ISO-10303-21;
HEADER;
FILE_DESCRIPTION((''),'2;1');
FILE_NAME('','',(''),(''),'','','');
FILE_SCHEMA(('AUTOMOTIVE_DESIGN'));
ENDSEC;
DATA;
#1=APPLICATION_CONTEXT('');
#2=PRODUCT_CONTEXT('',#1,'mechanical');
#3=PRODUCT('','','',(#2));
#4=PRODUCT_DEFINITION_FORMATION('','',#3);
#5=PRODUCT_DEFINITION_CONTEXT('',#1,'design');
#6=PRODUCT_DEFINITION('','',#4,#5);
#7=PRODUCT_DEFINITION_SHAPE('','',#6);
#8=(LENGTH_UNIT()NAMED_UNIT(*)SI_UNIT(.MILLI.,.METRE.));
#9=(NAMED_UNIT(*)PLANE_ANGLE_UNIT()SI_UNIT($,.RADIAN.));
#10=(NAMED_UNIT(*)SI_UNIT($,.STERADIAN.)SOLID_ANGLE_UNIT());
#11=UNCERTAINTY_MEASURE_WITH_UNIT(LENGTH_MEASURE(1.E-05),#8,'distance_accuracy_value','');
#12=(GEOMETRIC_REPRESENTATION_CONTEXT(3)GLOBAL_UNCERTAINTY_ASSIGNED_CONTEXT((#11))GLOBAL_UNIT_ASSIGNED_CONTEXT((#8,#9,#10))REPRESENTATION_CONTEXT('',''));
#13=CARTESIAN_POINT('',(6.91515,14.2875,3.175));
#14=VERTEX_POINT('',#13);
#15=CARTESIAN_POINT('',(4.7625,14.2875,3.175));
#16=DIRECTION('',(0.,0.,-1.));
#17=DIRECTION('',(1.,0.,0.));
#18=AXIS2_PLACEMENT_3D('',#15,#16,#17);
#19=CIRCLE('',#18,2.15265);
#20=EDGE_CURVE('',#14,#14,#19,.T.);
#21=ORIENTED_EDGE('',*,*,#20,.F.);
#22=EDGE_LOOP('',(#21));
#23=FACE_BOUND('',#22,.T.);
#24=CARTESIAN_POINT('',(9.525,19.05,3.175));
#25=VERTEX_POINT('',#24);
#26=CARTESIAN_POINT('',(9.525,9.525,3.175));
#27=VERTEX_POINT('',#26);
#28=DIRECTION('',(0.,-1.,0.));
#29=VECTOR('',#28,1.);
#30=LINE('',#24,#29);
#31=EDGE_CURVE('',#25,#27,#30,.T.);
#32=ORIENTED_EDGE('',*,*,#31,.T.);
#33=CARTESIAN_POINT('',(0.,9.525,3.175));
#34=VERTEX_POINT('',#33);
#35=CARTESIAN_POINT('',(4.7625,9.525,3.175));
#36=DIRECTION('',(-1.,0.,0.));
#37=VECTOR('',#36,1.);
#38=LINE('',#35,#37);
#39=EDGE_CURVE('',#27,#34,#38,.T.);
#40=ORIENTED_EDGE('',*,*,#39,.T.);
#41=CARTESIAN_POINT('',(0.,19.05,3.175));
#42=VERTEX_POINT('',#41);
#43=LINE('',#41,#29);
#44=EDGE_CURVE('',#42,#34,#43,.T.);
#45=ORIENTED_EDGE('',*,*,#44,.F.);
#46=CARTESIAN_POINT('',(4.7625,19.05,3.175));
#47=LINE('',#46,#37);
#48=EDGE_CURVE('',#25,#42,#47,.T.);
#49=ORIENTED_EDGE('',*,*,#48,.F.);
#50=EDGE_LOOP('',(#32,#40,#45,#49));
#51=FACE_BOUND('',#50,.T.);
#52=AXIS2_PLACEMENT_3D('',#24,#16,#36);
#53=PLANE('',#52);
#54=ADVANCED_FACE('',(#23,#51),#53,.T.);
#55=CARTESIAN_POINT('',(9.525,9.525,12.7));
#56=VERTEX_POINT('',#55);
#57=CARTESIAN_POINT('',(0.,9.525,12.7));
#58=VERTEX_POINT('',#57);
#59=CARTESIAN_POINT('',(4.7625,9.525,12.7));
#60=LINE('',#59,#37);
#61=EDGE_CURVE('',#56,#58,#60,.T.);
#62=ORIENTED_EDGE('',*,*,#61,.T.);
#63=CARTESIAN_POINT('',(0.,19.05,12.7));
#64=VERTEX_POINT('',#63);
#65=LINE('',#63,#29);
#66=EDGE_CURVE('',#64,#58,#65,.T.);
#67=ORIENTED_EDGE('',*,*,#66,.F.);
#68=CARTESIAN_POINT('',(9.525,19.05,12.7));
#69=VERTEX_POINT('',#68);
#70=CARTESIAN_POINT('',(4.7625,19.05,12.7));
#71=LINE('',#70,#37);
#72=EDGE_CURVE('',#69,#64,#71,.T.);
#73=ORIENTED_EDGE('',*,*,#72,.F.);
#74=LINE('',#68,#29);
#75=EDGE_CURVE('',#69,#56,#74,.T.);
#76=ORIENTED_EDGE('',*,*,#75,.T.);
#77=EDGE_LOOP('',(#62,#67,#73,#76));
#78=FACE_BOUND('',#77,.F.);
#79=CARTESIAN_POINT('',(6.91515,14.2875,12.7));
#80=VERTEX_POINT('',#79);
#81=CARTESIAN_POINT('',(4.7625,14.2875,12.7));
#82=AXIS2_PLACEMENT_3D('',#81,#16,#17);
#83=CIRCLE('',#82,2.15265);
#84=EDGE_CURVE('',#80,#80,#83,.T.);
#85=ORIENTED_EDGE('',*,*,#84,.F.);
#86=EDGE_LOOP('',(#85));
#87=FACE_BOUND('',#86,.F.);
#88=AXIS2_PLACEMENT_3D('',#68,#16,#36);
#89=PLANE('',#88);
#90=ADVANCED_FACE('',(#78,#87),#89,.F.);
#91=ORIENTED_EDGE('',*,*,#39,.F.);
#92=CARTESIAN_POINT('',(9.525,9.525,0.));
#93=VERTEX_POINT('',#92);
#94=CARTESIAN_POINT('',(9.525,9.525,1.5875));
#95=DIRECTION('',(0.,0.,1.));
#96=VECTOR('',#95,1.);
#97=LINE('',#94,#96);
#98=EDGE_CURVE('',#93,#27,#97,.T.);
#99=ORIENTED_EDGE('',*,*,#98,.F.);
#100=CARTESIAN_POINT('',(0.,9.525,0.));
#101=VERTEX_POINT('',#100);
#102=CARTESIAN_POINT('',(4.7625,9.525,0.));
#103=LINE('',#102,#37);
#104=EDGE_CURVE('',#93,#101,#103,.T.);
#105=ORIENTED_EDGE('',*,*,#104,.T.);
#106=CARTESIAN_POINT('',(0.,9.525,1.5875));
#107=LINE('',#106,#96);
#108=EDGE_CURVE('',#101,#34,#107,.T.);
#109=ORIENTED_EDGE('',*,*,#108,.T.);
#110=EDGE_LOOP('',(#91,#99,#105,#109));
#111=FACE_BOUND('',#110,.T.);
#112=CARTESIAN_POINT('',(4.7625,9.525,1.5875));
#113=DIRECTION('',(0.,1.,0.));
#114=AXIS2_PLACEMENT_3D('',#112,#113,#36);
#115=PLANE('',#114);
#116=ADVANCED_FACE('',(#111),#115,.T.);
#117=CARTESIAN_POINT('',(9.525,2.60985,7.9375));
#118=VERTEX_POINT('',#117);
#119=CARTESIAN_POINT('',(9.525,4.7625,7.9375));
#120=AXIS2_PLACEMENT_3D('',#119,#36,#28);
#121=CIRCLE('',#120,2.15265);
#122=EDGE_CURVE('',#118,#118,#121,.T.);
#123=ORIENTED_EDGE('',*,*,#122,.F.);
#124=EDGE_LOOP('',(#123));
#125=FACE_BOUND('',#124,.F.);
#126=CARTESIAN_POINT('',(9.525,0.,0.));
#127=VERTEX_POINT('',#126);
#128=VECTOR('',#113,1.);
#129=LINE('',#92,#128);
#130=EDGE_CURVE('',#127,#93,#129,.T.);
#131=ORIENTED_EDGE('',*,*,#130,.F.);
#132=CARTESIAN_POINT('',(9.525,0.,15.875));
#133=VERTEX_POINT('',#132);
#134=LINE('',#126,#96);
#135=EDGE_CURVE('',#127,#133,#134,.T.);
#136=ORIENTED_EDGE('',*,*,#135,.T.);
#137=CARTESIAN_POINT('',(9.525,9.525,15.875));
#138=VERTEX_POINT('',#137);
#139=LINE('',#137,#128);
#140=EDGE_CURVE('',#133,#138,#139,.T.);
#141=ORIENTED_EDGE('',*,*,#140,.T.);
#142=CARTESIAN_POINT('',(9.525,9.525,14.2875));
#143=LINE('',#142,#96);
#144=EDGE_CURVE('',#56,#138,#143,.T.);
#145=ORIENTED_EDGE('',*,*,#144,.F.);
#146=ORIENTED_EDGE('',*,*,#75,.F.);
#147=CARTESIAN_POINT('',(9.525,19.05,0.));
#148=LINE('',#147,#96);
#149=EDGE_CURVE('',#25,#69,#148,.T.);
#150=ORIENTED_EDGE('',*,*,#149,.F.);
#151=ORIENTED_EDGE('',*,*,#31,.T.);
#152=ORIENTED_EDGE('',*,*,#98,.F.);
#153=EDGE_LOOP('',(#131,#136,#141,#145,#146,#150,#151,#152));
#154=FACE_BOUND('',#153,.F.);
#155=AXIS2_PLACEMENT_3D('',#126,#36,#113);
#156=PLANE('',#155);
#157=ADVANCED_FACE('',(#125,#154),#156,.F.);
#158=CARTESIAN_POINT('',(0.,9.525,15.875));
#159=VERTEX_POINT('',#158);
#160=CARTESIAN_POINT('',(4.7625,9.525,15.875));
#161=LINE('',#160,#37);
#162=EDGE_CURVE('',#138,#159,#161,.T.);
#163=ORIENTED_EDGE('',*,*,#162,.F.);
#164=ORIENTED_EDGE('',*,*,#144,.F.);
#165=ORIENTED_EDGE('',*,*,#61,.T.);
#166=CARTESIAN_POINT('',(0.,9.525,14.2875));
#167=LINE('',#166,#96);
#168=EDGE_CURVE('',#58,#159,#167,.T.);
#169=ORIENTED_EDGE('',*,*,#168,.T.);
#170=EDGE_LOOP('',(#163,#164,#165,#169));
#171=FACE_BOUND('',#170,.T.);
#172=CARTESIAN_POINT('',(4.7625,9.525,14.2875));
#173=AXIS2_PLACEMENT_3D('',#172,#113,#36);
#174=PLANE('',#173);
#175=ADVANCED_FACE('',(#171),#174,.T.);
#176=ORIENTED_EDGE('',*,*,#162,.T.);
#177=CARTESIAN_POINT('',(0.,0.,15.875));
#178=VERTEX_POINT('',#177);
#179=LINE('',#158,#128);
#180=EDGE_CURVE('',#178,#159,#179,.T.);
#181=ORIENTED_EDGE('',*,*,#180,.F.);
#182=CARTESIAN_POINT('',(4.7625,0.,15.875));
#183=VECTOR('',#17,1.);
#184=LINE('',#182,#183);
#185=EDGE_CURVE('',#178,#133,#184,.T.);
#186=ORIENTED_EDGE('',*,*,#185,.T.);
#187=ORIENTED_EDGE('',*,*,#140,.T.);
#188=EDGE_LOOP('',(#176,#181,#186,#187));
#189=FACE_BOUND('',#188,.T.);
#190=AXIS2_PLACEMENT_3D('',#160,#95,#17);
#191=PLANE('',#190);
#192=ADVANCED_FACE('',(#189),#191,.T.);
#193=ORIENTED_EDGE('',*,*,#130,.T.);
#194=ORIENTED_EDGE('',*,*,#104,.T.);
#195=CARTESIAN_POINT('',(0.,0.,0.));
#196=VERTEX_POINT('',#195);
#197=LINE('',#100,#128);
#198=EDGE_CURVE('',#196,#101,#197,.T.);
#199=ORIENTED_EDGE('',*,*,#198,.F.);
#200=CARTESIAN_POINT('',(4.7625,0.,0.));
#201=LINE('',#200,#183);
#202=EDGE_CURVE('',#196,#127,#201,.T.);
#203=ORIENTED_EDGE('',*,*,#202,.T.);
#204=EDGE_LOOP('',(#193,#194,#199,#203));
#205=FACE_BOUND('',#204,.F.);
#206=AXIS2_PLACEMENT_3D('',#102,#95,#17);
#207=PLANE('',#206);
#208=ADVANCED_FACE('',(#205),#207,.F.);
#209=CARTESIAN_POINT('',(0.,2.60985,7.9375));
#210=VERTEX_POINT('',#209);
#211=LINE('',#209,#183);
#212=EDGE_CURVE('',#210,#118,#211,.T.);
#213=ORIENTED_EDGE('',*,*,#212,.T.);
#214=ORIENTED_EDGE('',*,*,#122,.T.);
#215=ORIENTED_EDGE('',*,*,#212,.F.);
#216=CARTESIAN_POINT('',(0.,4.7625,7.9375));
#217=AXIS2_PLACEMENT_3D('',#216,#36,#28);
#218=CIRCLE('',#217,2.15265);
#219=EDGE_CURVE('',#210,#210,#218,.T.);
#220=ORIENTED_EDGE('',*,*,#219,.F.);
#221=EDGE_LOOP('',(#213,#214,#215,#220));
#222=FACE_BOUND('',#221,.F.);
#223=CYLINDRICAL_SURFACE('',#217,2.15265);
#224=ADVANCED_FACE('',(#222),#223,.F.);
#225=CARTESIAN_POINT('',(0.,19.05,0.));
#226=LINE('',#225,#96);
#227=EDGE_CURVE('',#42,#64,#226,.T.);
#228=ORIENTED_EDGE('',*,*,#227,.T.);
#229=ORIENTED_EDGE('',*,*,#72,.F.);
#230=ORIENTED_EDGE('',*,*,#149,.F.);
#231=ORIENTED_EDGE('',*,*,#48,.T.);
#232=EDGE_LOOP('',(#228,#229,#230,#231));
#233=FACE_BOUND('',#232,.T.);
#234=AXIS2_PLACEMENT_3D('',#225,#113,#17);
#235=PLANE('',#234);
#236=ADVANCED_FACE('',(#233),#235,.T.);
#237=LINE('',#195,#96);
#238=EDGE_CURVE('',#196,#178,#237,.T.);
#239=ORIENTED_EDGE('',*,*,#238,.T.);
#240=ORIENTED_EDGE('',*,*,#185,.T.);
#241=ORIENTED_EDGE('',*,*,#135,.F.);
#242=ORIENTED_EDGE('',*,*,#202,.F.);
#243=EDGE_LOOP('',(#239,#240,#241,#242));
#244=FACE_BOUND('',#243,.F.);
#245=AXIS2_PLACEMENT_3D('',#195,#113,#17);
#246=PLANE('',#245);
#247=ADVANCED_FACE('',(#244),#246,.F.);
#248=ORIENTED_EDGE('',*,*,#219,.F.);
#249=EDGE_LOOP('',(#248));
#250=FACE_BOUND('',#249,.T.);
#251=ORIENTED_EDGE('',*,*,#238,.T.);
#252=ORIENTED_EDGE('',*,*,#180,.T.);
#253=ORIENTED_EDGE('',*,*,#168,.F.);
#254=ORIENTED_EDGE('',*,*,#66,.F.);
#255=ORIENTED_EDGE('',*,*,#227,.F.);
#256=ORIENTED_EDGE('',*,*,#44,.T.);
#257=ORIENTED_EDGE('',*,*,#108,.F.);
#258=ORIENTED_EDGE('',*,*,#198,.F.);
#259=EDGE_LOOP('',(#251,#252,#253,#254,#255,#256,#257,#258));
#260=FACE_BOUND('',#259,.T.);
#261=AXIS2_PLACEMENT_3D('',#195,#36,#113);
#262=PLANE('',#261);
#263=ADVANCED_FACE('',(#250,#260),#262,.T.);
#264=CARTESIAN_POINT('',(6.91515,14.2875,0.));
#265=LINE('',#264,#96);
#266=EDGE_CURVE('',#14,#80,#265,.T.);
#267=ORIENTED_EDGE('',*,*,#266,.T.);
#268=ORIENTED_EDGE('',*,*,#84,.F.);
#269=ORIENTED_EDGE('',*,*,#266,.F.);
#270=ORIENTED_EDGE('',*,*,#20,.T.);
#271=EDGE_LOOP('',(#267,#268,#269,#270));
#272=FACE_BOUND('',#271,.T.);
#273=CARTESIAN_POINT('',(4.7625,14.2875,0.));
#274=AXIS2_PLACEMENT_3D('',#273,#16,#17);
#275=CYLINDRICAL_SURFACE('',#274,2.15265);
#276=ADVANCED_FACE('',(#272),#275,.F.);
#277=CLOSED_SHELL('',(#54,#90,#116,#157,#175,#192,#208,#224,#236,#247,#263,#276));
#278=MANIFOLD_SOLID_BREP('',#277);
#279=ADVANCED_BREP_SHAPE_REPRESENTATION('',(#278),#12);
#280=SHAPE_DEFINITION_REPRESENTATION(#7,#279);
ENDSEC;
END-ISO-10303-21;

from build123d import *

# Parameters (mm, degrees)
F0_W     = 9.525
F0_H     = 19.05
F0_R     = 2.15265
F1_DEPTH = 15.875
F2_W     = 9.525
F2_H     = 3.175
F3_DEPTH = 9.525
F4_R     = 2.15265
F5_DEPTH = 9.525


with BuildPart() as f1:
    # F0 (on Top) → F1 (new body)
    with BuildSketch(Plane.XY):
        with Locations((4.7625, 9.525)):
            Rectangle(F0_W, F0_H)
        with Locations((4.7625, 14.2875)):
            Circle(F0_R, mode=Mode.SUBTRACT)
    extrude(amount=F1_DEPTH)

    # F2 (on face) → F3 (cut)
    with BuildSketch(Plane(origin=(0, 19.05, 0), x_dir=(-1, 0, 0), z_dir=(0, 1, 0))):
        with Locations((-4.7625, 1.5875)):
            Rectangle(F2_W, F2_H)
        with Locations((-4.7625, 14.2875)):
            Rectangle(F2_W, F2_H)
    extrude(amount=-F3_DEPTH, mode=Mode.SUBTRACT)

    # F4 (on face) → F5 (cut, through all)
    with BuildSketch(Plane(origin=(0, 0, 0), x_dir=(0, -1, 0), z_dir=(-1, 0, 0))):
        with Locations((-4.7625, 7.9375)):
            Circle(F4_R)
    extrude(amount=-F5_DEPTH, mode=Mode.SUBTRACT)


solid = f1.part
